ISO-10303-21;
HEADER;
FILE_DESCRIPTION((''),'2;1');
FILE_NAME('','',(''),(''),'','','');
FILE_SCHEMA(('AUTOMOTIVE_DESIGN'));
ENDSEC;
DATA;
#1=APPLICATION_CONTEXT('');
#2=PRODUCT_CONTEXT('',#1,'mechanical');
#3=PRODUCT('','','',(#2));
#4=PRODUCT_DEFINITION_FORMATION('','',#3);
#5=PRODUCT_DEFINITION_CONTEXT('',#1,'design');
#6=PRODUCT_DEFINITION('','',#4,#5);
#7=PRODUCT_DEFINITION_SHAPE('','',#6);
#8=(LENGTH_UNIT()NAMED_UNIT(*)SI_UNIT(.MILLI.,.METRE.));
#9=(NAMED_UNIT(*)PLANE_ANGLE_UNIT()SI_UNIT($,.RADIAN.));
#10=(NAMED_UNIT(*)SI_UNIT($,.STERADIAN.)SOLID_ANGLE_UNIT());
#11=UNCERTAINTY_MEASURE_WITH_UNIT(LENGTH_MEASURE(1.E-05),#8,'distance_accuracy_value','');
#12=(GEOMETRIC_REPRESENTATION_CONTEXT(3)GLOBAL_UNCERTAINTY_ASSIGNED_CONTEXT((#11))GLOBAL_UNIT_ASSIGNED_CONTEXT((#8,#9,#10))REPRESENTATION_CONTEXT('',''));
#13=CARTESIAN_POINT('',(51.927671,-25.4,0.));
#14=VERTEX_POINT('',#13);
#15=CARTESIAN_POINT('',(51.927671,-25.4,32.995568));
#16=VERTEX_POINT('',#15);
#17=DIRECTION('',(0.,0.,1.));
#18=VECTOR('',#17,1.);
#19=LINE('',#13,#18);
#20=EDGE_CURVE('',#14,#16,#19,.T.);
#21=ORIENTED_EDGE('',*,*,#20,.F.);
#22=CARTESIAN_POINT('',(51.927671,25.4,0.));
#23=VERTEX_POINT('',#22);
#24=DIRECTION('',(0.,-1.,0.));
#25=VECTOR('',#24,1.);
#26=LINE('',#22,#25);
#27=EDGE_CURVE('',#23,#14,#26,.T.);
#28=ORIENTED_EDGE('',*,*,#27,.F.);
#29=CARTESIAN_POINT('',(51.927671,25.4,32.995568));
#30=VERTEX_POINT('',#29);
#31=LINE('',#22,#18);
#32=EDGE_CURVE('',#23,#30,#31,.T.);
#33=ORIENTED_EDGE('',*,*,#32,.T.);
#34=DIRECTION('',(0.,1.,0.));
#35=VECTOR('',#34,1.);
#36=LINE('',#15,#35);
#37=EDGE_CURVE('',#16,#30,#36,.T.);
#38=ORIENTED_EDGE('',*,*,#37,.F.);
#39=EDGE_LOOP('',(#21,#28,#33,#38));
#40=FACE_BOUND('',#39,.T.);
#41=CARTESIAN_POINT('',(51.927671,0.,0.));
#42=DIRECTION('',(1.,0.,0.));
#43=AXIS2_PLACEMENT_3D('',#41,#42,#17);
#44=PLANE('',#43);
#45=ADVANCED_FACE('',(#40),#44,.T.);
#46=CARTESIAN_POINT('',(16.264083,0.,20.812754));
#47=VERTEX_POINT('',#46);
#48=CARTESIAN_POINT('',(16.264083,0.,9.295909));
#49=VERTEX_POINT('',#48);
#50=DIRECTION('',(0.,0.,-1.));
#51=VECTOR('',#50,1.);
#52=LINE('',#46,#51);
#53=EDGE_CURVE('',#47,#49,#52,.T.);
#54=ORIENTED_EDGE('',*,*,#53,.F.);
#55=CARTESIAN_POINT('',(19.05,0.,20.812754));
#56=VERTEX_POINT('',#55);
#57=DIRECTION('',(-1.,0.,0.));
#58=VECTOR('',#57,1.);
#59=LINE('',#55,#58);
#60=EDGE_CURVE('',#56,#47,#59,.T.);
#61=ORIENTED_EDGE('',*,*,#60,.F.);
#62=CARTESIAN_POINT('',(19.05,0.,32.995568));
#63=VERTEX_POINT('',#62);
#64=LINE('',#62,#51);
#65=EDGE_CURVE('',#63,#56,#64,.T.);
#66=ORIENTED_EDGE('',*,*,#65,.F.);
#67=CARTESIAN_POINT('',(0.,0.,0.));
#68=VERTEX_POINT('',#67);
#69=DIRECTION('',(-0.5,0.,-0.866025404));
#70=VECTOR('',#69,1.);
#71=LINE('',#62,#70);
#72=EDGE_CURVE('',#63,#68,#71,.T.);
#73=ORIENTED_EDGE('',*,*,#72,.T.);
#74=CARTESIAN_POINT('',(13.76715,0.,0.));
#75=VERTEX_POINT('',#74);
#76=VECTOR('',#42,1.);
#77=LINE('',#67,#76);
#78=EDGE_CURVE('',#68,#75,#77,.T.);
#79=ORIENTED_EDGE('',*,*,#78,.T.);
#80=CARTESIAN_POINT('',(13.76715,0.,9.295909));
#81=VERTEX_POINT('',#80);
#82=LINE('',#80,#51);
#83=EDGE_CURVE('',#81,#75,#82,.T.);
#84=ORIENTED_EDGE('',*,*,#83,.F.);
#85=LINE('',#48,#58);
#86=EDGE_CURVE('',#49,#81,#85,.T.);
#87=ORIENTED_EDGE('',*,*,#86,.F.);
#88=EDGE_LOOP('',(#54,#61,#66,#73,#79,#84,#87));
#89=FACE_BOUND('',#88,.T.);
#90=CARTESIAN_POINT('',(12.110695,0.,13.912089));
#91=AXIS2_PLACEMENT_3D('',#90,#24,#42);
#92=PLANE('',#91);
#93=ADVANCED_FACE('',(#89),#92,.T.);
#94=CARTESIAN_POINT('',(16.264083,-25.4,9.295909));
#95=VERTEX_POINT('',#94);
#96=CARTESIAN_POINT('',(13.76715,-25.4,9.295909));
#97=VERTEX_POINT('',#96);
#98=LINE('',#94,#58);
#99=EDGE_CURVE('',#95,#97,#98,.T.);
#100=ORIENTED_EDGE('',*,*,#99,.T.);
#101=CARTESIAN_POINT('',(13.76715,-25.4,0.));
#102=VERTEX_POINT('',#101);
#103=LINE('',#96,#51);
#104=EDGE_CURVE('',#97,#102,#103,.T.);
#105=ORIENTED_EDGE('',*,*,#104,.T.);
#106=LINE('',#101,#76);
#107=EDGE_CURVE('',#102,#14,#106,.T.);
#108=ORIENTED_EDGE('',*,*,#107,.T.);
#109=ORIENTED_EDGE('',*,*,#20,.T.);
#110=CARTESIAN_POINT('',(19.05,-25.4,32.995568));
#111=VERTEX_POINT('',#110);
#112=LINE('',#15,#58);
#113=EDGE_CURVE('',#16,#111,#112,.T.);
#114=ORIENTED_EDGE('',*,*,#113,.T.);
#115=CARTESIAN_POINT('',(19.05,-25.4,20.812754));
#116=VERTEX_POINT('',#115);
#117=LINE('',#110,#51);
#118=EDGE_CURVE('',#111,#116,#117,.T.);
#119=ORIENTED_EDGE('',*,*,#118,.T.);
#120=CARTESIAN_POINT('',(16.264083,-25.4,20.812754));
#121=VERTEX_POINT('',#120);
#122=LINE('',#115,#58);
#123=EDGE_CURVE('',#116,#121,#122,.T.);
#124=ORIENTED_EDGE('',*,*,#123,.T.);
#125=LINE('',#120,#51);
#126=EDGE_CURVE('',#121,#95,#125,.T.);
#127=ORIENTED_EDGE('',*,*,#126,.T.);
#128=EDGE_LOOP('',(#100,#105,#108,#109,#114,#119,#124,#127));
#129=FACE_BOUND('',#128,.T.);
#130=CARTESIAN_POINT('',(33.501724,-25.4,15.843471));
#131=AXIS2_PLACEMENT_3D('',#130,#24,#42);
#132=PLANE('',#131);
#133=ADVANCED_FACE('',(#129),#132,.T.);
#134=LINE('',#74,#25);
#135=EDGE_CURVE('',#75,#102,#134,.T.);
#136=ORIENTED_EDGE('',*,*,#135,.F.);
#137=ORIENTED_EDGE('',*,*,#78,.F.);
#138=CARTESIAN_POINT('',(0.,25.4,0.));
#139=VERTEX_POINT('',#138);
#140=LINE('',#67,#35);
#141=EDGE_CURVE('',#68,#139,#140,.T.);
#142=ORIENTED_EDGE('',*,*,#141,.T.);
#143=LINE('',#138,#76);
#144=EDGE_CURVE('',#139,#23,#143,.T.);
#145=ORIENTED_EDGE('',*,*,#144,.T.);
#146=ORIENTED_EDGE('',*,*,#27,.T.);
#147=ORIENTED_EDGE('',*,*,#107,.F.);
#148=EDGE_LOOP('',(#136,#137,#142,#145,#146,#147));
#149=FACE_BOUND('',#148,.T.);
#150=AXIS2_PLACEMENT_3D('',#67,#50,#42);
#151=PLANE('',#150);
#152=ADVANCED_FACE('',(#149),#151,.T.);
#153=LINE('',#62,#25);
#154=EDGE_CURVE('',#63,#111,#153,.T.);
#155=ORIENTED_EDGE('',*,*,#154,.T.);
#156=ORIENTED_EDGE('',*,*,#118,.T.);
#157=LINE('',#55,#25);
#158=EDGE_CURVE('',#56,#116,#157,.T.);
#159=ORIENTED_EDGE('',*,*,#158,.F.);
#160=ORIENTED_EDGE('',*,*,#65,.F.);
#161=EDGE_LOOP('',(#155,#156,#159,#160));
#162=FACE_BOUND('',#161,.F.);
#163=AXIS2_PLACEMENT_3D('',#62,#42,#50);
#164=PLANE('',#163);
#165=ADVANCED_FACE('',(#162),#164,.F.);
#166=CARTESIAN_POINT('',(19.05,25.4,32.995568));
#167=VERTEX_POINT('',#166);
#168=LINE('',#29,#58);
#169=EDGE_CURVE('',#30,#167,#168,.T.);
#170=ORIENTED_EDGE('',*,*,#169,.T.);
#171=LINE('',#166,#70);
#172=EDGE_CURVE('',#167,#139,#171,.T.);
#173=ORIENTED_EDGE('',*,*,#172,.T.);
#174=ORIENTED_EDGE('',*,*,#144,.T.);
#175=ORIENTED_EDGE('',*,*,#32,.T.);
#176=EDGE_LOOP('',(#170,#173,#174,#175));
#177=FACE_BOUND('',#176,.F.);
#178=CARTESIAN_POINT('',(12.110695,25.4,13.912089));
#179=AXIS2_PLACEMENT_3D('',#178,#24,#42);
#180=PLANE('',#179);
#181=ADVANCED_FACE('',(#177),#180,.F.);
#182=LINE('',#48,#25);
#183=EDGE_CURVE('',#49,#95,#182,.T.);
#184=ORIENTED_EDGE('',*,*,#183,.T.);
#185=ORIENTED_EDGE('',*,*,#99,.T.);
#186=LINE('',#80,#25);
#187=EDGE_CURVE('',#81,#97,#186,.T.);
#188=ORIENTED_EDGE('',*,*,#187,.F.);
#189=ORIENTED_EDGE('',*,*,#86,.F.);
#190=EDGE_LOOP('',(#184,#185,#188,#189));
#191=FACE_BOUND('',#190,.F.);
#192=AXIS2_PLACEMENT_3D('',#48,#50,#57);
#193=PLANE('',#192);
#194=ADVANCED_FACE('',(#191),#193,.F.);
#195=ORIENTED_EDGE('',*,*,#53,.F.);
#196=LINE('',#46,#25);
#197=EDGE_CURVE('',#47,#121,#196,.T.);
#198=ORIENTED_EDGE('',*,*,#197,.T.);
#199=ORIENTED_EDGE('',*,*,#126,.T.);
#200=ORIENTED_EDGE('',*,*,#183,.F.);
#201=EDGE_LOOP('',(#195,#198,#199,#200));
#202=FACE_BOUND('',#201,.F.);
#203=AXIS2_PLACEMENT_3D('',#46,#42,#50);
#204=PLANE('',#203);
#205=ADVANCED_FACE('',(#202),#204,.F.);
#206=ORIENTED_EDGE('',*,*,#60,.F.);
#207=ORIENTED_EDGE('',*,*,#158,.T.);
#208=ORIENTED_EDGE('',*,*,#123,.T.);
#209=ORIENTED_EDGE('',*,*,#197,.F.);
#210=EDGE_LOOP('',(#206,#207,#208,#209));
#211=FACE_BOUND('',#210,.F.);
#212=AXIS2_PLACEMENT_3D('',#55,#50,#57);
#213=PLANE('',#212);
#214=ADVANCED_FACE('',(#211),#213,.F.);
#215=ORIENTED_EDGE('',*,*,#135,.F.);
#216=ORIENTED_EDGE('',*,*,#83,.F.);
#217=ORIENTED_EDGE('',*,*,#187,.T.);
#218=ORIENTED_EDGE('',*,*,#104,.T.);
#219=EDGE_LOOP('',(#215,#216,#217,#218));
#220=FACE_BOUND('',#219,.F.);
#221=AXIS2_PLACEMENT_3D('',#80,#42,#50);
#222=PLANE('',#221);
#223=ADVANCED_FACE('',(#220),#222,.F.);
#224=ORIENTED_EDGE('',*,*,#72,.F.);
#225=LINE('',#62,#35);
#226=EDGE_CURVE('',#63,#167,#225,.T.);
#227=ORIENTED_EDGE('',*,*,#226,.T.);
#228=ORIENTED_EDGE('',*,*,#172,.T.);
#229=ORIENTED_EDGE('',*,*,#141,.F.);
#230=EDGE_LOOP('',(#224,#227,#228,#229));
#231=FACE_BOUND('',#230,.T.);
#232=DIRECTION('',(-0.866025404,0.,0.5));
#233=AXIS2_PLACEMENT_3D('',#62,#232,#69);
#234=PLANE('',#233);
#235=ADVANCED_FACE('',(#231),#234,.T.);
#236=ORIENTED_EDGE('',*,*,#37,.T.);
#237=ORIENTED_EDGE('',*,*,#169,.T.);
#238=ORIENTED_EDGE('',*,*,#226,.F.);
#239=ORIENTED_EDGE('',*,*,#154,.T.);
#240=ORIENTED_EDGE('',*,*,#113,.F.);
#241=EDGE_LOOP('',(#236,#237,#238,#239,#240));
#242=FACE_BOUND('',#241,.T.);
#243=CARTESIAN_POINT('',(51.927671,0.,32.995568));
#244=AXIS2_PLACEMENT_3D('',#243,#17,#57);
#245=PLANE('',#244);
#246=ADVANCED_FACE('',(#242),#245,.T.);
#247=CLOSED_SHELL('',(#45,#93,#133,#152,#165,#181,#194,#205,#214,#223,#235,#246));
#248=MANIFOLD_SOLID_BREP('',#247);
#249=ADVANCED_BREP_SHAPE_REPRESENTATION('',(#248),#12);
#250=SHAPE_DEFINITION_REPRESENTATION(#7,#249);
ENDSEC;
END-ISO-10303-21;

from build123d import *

# Parameters (mm, degrees)
F1_DEPTH = 25.4
F2_DEPTH = 25.4


with BuildPart() as f1:
    # F0 (on Front) → F1 (new body)
    with BuildSketch(Plane.XZ):
        Polygon((51.9276708364, 32.9955678842), (19.05, 32.9955678842), (19.05, 20.812753588), (16.2640828639, 20.812753588), (16.2640828639, 9.2959087342), (13.7671502117, 9.2959087342), (13.7671502117, 0), (51.9276708364, 0), align=None)
    extrude(amount=F1_DEPTH)

    # F0 (on Front) + F1_face (on face) → F2 (join)
    with BuildSketch(Plane.XZ):
        Polygon((19.05, 32.9955678842), (0, 0), (13.7671502117, 0), (13.7671502117, 9.2959087342), (16.2640828639, 9.2959087342), (16.2640828639, 20.812753588), (19.05, 20.812753588), align=None)
        Polygon((51.9276708364, 32.9955678842), (19.05, 32.9955678842), (19.05, 20.812753588), (16.2640828639, 20.812753588), (16.2640828639, 9.2959087342), (13.7671502117, 9.2959087342), (13.7671502117, 0), (51.9276708364, 0), align=None)
    with BuildSketch(Plane(origin=(34.1945571496, 0, 15.9589854534), x_dir=(1, 0, 0), z_dir=(0, 1, 0))):
        Polygon((-15.1445571496, -17.0365824308), (17.7331136869, -17.0365824308), (17.7331136869, 15.9589854534), (-20.4274069378, 15.9589854534), (-20.4274069378, 6.6630767192), (-17.9304742856, 6.6630767192), (-17.9304742856, -4.8537681345), (-15.1445571496, -4.8537681345), align=None)
    extrude(amount=-F2_DEPTH, dir=(0, -1, 0))


solid = f1.part
